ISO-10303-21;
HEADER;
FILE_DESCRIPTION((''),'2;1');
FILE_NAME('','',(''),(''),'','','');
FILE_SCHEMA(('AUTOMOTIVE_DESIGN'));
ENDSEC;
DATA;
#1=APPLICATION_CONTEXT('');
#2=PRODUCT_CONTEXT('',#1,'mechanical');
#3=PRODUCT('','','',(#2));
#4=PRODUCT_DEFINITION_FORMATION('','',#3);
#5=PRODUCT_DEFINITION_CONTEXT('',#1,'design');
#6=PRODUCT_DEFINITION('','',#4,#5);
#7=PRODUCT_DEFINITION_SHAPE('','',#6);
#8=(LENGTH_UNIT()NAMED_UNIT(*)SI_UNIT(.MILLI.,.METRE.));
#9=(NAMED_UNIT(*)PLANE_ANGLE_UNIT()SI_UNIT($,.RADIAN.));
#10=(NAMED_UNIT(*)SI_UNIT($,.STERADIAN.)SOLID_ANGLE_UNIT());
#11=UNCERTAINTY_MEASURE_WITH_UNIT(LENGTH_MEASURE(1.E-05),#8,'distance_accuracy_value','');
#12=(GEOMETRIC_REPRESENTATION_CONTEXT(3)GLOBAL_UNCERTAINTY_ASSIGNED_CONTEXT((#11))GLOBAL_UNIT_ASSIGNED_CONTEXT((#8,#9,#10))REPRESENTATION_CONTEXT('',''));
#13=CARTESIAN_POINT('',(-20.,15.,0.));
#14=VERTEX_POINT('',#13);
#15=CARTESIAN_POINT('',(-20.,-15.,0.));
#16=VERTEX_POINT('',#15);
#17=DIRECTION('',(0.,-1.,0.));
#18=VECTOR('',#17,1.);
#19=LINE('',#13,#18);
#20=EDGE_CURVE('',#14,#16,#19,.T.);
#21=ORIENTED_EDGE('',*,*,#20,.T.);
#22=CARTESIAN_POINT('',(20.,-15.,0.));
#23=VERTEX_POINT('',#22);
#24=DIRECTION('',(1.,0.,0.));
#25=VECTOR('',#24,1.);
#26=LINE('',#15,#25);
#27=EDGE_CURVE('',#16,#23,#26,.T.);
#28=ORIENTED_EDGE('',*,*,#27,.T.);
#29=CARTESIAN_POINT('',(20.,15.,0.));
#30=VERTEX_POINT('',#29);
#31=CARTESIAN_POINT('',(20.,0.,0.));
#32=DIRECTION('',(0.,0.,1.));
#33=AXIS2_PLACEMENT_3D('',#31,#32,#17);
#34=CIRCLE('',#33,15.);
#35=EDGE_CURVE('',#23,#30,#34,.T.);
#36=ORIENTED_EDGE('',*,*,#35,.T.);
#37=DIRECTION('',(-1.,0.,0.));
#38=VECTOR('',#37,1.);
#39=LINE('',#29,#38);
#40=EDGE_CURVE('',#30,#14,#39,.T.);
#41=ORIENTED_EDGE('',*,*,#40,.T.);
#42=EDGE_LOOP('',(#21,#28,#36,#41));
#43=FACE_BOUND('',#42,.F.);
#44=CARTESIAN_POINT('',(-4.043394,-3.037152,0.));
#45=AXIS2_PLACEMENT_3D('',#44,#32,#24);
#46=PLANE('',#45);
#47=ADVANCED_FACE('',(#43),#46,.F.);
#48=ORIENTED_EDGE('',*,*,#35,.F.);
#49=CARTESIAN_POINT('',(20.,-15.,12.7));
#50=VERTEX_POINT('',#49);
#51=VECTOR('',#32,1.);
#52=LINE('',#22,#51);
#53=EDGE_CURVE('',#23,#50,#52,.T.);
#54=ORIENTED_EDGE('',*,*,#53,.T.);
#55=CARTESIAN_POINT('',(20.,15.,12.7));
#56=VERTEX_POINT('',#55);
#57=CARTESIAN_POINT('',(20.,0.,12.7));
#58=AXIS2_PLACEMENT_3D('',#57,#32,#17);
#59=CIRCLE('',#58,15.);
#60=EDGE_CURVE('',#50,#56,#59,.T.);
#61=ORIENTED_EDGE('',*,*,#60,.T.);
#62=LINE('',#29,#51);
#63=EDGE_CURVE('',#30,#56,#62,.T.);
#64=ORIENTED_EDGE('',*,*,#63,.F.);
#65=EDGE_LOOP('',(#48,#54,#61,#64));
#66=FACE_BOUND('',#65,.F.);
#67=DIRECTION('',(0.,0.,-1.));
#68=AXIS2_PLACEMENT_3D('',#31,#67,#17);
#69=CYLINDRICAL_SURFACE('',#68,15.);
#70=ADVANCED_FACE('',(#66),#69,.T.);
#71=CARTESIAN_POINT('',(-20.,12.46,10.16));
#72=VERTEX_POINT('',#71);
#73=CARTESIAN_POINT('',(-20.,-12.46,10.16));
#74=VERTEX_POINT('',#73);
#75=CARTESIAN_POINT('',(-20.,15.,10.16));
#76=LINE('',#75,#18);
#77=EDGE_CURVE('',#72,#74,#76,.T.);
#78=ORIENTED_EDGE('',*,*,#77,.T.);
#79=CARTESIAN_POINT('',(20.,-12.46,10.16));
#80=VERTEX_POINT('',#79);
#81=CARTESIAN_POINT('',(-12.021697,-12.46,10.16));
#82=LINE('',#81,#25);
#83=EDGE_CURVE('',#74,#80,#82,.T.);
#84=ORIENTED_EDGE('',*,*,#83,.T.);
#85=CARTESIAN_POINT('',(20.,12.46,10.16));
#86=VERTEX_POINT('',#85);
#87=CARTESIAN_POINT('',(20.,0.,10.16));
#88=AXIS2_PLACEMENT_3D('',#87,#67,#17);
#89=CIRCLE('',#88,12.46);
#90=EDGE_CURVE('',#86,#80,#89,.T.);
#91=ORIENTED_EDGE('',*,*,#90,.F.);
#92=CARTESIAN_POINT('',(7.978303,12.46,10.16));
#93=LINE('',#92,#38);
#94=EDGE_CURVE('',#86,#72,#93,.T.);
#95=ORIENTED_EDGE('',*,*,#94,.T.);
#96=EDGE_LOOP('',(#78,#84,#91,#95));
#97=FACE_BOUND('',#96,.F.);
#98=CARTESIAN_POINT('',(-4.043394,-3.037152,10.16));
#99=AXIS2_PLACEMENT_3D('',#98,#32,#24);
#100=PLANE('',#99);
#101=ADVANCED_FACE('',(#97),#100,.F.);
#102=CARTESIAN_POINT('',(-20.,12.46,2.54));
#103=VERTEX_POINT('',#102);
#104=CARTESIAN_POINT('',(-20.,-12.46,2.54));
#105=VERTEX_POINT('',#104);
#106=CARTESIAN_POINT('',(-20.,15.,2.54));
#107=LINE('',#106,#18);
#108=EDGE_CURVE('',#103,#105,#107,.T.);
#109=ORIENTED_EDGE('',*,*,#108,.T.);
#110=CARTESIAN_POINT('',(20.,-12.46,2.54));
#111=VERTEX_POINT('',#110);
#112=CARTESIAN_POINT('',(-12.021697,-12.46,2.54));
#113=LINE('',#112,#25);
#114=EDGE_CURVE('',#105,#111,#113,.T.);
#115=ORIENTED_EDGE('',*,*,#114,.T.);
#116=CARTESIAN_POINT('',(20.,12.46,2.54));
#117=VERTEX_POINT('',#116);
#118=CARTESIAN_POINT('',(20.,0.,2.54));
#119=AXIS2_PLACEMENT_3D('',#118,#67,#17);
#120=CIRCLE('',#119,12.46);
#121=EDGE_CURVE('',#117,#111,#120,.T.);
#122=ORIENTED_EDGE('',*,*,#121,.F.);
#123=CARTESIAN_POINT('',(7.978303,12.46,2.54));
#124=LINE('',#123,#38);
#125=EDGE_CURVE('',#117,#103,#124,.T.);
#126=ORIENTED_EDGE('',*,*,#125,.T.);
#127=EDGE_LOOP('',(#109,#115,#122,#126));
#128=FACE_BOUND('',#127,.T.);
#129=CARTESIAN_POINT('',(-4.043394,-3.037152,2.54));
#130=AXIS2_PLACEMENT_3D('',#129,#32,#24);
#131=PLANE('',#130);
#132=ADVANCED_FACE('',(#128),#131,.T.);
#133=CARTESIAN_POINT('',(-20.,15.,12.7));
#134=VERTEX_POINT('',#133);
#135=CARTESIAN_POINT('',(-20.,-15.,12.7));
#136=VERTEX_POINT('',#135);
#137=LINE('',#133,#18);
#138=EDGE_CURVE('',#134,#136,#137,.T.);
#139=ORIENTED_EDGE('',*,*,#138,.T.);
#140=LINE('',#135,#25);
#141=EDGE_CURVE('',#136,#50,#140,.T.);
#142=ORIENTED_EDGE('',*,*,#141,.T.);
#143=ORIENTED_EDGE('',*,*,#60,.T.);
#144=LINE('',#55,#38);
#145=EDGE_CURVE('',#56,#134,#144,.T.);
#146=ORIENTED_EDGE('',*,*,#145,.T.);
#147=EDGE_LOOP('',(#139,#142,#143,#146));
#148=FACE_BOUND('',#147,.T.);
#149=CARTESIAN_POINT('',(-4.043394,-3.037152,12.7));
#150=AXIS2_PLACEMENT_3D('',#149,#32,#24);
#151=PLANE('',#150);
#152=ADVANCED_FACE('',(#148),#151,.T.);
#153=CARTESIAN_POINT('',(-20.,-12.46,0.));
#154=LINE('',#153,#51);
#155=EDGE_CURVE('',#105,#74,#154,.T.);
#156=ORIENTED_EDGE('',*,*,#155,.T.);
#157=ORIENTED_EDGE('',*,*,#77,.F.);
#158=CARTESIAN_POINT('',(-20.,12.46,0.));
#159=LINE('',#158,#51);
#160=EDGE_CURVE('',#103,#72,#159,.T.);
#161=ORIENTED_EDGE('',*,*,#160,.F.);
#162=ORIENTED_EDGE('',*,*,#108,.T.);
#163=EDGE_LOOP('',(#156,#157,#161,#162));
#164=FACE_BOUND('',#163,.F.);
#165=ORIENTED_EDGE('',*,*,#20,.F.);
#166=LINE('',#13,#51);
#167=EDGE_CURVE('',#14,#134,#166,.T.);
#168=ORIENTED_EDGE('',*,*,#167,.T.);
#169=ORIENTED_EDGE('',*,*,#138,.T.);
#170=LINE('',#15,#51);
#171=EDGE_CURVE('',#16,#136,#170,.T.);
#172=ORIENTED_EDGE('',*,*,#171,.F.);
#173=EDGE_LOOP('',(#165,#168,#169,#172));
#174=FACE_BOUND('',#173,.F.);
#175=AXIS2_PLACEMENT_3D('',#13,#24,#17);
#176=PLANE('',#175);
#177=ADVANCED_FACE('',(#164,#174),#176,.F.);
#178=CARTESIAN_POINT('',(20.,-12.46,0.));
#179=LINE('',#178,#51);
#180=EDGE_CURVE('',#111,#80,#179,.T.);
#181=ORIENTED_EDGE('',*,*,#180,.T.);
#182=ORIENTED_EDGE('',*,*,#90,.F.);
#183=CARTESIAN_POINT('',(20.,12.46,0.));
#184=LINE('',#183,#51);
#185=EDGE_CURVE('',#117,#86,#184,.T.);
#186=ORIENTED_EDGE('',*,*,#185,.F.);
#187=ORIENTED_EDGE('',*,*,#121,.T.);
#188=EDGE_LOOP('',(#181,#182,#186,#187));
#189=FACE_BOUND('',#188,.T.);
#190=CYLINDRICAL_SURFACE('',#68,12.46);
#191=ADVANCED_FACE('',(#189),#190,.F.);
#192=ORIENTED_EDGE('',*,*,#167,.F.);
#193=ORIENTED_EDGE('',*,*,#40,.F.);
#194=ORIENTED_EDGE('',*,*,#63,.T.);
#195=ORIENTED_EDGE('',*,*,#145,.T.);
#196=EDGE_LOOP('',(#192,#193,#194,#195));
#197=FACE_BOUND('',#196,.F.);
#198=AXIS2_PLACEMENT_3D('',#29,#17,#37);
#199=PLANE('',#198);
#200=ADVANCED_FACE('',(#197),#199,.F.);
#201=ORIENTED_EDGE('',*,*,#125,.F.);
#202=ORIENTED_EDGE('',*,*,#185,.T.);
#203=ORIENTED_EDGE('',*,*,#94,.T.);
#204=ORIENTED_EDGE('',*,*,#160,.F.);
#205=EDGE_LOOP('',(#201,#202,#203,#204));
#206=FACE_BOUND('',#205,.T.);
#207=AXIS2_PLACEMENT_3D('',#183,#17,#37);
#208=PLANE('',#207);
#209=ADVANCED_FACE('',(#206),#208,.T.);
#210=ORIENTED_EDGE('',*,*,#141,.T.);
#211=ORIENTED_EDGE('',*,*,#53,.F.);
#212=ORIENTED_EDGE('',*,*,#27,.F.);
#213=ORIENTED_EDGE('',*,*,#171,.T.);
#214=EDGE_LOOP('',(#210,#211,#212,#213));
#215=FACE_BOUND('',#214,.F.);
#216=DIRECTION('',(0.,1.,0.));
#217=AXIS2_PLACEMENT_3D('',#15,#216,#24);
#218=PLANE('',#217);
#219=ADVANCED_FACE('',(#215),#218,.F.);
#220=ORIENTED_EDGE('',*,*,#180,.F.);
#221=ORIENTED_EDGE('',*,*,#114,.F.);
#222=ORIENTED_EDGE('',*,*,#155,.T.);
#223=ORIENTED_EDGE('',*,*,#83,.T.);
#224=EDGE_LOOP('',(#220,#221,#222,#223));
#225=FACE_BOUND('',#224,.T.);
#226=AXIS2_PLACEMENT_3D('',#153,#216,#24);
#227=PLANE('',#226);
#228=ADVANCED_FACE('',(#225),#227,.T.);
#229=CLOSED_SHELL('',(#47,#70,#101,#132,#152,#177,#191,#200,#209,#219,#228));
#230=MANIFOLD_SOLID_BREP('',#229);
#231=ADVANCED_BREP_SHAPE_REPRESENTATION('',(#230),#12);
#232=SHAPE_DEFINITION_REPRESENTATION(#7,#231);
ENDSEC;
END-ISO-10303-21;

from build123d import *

# Parameters (mm, degrees)
F1_DEPTH = 12.7
F2_T     = -2.54


with BuildPart() as f1:
    # F0 (on Top) → F1 (new body)
    with BuildSketch(Plane.XY):
        with BuildLine():
            Line((0, 15), (-20, 15))
            Line((-20, 15), (-20, -15))
            Line((-20, -15), (20, -15))
            ThreePointArc((20, -15), (9.3933982822, -10.6066017178), (5, 0))
            Line((5, 0), (0, 0))
            Line((0, 0), (0, 15))
        make_face()
        with BuildLine():
            Line((20, 15), (0, 15))
            Line((0, 15), (0, 0))
            Line((0, 0), (5, 0))
            ThreePointArc((5, 0), (9.3933982822, 10.6066017178), (20, 15))
        make_face()
        with BuildLine():
            ThreePointArc((35, 0), (30.6066017178, 10.6066017178), (20, 15))
            Line((20, 15), (20, 0))
            Line((20, 0), (20, -15))
            ThreePointArc((20, -15), (30.6066017178, -10.6066017178), (35, 0))
        make_face()
        with BuildLine():
            Line((20, 0), (20, 15))
            ThreePointArc((20, 15), (9.3933982822, 10.6066017178), (5, 0))
            Line((5, 0), (20, 0))
        make_face()
        with BuildLine():
            ThreePointArc((5, 0), (9.3933982822, -10.6066017178), (20, -15))
            Line((20, -15), (20, 0))
            Line((20, 0), (5, 0))
        make_face()
    extrude(amount=F1_DEPTH)

    # F2
    f2_openings = [f1.faces().sort_by_distance(p)[0] for p in [
        (-20, 0, 6.35),
    ]]
    offset(amount=F2_T, openings=f2_openings)


solid = f1.part
